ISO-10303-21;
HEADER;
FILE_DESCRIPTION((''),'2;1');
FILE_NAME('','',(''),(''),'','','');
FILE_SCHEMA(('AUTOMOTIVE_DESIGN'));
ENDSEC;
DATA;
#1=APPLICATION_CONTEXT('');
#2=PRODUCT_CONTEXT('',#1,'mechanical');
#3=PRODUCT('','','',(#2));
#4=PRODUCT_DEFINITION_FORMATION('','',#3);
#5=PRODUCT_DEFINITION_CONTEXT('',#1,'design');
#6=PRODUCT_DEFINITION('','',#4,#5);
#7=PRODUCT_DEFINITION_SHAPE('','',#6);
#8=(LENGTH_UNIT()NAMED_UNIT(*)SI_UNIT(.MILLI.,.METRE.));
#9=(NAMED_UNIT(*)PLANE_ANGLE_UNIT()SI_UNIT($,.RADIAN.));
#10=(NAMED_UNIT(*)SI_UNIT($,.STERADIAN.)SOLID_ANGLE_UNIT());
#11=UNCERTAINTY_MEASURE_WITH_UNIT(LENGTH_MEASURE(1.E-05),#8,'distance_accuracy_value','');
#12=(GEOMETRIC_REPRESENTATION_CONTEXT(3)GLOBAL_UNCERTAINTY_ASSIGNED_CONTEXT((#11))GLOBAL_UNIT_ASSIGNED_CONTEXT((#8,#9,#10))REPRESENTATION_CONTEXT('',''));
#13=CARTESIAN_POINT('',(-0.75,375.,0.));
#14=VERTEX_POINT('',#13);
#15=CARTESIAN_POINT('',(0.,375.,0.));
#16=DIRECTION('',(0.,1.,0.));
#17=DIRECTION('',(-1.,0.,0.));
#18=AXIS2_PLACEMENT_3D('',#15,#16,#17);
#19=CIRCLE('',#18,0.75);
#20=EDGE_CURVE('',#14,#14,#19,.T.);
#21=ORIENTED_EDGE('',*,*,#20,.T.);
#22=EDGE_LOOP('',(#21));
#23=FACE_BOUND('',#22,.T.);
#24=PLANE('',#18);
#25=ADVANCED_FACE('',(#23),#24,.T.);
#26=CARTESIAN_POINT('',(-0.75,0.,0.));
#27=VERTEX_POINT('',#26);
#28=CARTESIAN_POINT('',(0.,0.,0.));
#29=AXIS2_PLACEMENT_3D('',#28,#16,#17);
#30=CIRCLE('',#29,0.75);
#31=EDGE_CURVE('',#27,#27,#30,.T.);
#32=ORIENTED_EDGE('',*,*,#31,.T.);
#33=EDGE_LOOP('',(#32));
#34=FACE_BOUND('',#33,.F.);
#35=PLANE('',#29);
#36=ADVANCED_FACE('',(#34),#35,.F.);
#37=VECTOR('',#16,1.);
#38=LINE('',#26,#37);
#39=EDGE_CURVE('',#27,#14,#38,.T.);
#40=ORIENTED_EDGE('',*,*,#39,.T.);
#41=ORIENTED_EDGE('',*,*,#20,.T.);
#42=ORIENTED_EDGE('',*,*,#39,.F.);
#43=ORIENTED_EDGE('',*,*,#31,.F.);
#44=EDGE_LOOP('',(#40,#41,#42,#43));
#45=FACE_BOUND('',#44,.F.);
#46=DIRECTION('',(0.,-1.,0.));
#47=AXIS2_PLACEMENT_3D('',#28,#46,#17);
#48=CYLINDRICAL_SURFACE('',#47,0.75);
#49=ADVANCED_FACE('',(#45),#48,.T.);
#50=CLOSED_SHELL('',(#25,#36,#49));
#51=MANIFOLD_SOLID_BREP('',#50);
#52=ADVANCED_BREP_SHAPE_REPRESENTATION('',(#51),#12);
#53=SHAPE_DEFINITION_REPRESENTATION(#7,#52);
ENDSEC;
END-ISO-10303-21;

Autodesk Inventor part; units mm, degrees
ref_plane "YZ Plane" through (0, 0, 0) normal (1, 0, 0) x (0, 1, 0)
ref_plane "XZ Plane" through (0, 0, 0) normal (0, 1, 0) x (-1, 0, 0)
ref_plane "XY Plane" through (0, 0, 0) normal (0, 0, 1) x (1, 0, 0)
sketch "Skizze1" plane through (0, 0, 0) normal (0, 1, 0) x (-1, 0, 0)
  circle A0 centre (0, 0) radius 0.75
  dimension "d0" = 1.5
extrude "Extrusion1" add sketch "Skizze1" along normal blind 375
properties part number "Seil"
